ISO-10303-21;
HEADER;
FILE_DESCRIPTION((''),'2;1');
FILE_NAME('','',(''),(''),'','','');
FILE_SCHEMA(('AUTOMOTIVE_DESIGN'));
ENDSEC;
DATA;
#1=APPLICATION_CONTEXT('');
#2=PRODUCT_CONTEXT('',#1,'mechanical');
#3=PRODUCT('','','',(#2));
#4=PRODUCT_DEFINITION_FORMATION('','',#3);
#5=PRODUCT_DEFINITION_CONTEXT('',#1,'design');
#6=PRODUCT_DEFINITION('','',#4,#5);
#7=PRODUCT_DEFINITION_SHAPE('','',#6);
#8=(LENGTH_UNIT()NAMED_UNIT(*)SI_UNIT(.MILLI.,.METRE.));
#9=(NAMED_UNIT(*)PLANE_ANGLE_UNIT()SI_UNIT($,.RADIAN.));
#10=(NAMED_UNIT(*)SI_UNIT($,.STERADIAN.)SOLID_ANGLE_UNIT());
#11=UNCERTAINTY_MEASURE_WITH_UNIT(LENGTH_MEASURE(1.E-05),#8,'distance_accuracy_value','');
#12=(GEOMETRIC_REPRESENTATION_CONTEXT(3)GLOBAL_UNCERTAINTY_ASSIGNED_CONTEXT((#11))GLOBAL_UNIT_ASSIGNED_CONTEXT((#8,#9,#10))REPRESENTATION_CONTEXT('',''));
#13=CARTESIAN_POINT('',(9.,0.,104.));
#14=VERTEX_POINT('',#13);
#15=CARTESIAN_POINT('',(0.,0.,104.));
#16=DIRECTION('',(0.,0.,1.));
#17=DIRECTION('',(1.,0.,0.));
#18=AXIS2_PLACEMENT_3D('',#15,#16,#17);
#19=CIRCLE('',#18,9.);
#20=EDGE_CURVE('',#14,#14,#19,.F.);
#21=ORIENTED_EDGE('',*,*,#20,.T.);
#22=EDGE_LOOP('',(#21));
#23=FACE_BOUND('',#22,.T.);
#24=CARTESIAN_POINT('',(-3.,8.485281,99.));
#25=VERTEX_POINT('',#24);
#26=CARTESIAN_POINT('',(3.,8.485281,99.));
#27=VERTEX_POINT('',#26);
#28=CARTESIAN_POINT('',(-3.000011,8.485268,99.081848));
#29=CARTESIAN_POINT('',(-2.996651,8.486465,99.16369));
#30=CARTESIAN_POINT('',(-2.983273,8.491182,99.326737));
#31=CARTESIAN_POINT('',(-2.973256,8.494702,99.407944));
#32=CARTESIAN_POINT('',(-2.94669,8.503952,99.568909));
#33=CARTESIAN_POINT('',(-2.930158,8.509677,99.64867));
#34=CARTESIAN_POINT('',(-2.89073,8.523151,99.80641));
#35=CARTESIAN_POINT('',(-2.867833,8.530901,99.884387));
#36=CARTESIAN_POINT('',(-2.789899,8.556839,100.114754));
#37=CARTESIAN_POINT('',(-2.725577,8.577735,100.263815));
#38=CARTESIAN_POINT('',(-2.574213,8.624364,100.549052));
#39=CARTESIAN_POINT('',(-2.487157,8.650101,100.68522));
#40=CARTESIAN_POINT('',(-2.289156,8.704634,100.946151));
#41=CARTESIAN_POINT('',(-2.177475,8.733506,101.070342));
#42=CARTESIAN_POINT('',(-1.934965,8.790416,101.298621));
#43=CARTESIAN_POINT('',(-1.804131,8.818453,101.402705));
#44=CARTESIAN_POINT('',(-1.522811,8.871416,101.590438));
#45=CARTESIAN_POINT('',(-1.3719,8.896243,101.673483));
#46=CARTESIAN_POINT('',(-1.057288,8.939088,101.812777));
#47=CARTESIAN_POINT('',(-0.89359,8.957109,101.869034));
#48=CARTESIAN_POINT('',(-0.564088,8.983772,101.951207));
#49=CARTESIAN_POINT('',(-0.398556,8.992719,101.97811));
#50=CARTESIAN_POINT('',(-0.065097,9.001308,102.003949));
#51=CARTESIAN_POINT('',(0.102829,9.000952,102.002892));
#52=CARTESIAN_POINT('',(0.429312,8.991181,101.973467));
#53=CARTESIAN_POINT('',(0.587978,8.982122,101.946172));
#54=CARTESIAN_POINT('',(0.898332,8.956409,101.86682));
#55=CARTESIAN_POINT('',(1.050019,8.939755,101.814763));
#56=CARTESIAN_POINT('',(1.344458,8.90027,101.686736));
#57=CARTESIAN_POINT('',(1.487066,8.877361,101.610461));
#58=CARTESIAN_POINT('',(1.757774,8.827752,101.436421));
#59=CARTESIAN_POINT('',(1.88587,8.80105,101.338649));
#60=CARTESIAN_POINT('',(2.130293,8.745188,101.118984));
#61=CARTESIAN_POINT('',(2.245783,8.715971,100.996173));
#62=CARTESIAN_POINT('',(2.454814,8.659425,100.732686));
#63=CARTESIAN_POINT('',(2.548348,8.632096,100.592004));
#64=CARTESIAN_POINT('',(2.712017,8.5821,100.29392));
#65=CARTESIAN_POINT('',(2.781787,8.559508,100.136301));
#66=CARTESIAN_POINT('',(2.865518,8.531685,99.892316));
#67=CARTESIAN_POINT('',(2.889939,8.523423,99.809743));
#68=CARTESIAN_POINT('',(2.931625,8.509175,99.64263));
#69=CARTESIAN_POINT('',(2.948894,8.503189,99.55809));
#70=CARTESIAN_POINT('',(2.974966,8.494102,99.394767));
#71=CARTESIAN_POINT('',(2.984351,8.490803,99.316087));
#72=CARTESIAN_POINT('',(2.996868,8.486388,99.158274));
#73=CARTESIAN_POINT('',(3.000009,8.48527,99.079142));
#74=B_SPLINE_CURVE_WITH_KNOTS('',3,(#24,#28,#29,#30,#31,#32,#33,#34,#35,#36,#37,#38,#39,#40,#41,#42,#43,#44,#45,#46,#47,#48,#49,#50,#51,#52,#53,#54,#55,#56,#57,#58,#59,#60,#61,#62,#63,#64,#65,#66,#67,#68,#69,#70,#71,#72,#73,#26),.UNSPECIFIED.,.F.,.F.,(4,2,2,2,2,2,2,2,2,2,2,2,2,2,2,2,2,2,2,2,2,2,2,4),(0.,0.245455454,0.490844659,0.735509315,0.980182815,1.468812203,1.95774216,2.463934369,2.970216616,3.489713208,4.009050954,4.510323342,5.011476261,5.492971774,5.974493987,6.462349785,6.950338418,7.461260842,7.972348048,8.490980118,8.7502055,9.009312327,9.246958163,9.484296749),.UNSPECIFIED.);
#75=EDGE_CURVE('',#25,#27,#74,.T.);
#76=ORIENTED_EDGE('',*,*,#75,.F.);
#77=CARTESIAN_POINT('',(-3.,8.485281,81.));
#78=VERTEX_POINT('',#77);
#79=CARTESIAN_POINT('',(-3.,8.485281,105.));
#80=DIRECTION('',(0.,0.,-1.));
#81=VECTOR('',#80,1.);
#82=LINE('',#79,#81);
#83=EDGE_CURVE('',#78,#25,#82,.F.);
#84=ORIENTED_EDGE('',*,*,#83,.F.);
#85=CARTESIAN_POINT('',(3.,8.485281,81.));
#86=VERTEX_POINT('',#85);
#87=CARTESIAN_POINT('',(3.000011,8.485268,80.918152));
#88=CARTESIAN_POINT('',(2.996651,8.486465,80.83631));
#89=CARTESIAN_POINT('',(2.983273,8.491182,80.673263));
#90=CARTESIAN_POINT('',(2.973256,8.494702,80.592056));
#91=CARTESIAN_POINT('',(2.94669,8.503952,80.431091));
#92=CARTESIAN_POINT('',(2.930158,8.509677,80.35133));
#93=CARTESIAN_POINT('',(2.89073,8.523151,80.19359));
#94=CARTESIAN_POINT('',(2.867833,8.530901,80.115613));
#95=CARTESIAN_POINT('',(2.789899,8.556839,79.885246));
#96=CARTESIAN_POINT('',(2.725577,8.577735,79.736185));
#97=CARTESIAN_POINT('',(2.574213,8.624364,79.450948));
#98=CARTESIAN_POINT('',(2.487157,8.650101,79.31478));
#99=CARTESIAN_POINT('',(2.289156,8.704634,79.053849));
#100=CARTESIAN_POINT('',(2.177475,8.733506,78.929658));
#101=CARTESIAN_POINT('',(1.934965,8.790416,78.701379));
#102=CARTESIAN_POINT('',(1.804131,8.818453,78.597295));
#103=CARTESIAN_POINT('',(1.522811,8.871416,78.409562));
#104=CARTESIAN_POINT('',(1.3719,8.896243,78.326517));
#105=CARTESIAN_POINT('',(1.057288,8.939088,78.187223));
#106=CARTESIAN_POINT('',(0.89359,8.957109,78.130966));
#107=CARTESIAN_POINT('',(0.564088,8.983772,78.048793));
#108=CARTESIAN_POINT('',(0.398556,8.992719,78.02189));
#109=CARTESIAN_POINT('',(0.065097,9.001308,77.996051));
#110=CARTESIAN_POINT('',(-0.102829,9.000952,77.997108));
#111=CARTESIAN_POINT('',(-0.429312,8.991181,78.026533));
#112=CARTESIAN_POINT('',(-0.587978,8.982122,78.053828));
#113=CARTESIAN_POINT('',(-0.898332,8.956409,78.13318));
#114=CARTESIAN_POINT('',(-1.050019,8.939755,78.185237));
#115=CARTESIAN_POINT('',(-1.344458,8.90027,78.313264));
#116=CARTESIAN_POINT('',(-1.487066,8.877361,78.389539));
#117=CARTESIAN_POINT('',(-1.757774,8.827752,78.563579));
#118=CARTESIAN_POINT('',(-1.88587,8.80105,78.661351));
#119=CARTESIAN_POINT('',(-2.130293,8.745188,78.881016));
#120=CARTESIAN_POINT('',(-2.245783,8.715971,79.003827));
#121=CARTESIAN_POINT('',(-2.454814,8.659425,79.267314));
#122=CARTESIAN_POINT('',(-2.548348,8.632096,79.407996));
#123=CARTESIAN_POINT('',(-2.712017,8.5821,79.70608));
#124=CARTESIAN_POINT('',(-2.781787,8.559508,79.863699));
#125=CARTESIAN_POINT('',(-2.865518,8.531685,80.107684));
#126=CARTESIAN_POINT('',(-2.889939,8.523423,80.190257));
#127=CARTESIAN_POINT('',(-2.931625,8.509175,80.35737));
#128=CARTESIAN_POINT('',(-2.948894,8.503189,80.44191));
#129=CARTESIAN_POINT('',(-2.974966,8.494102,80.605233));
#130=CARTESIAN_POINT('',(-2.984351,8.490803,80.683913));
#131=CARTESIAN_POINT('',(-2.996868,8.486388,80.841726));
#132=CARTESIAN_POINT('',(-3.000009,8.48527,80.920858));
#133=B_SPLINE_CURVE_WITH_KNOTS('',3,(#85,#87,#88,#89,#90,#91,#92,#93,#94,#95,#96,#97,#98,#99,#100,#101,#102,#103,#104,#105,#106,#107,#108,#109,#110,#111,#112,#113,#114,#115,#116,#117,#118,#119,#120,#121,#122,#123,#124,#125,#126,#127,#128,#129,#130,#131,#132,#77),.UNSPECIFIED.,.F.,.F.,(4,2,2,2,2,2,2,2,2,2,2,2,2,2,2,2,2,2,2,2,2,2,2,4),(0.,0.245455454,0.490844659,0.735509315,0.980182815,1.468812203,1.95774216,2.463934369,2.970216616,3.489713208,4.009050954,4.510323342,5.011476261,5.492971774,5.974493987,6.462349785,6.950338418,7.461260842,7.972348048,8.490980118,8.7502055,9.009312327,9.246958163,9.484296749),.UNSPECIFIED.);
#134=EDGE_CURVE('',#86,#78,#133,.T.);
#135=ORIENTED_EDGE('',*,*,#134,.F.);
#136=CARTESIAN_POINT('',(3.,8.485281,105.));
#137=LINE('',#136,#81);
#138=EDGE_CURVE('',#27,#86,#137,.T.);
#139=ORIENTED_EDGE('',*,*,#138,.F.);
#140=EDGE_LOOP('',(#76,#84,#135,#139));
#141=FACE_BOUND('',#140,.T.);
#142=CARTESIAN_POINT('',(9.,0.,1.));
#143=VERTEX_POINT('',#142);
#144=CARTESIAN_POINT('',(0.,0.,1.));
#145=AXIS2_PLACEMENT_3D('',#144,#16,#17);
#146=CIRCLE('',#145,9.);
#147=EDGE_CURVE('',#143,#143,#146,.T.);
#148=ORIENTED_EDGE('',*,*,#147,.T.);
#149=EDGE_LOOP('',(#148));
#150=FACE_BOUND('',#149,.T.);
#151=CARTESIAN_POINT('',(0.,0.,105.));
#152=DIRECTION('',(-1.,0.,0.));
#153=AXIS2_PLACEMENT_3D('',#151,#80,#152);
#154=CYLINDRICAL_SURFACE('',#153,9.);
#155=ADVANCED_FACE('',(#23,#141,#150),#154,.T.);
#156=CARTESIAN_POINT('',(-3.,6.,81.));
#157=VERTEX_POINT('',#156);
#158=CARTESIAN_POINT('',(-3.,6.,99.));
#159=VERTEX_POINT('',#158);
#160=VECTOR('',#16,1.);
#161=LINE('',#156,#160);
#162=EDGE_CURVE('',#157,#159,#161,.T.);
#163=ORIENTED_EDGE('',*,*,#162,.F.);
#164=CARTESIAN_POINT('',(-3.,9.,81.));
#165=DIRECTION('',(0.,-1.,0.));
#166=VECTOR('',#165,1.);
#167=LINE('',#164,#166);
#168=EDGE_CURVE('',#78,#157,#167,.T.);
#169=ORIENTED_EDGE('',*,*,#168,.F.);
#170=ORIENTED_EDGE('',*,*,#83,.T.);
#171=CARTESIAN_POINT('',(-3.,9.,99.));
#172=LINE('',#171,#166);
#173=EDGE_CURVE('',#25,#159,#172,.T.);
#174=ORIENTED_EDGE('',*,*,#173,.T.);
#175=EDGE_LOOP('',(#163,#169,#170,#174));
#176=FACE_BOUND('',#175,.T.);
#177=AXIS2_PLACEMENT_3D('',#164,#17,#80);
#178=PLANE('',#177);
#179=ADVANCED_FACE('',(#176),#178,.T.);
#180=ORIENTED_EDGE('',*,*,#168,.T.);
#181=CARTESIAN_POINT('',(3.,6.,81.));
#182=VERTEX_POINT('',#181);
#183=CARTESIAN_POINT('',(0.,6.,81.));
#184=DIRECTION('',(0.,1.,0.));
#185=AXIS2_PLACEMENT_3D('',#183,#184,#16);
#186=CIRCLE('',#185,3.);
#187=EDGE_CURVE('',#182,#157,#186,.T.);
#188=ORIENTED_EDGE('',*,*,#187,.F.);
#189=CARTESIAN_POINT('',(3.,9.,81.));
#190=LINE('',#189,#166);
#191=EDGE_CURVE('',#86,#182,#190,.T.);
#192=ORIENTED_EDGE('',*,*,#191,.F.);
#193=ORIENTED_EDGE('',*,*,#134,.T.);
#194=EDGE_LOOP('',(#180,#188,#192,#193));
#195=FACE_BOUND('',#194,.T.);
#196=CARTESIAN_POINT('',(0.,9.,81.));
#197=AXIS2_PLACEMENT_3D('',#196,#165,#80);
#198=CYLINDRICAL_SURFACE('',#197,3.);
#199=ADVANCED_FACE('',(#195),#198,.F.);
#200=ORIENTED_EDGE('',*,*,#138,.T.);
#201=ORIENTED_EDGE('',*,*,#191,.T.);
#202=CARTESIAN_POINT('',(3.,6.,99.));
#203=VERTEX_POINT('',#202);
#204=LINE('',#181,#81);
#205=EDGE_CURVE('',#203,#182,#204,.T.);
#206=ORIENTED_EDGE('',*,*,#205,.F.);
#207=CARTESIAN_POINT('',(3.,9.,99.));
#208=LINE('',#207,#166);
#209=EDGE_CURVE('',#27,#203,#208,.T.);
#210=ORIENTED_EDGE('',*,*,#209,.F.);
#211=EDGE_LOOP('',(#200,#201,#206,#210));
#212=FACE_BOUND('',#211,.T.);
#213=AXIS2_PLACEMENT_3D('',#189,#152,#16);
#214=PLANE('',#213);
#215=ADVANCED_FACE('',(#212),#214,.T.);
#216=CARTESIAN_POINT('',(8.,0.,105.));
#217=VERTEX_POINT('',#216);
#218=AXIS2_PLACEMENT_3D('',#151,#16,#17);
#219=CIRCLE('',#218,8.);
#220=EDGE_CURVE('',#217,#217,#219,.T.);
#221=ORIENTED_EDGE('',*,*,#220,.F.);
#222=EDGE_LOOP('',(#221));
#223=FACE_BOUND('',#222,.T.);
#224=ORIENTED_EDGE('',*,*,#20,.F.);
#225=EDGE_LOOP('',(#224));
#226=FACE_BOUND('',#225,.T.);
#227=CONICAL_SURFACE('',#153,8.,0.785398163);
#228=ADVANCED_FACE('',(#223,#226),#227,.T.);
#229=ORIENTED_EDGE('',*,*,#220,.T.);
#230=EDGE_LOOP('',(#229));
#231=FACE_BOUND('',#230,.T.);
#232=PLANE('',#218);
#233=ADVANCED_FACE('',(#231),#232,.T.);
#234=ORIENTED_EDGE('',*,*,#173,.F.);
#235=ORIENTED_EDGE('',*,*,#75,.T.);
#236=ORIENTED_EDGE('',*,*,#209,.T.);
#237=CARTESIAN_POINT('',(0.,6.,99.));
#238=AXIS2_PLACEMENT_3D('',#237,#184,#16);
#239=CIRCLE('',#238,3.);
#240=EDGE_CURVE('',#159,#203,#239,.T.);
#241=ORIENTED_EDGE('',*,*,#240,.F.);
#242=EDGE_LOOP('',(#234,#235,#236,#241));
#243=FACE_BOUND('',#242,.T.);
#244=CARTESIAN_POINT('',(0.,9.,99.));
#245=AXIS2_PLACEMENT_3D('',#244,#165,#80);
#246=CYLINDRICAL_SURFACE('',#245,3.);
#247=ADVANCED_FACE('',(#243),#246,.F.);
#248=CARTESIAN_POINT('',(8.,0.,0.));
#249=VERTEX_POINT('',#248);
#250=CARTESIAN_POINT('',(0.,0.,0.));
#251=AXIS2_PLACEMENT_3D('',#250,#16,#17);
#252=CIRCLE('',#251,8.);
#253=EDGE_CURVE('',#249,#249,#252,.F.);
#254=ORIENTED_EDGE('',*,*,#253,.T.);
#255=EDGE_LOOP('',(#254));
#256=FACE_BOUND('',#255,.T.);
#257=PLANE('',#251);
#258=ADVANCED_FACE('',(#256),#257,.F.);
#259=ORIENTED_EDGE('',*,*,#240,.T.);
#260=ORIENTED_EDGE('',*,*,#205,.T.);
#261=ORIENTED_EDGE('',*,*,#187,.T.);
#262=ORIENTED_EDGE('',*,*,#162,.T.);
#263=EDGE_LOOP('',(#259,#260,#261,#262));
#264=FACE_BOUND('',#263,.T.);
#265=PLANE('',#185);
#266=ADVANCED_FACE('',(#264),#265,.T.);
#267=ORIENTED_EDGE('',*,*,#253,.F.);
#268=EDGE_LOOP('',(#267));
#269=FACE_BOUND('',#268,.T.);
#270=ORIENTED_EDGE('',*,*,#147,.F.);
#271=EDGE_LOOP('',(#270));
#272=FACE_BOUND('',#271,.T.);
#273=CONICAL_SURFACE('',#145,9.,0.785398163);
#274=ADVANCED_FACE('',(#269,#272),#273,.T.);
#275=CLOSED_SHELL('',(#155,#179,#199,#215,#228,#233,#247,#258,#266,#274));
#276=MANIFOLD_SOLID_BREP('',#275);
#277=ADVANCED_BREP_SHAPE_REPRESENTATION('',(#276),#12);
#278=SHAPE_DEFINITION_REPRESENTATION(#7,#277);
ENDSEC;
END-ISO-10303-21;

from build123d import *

# Parameters (mm, degrees)
IZIM1_R                     = 9
Y_KSEKLIK_EKSTR_ZYON1_DEPTH = 105
PAH1_SIZE                   = 1
KES_EKSTR_ZYON1_START       = 6
KES_EKSTR_ZYON1_DEPTH       = 100.768615383


with BuildPart() as part:
    # Çizim1 → Yükseklik-Ekstrüzyon1 (new body)
    with BuildSketch(Plane.XY):
        Circle(IZIM1_R)
    extrude(amount=Y_KSEKLIK_EKSTR_ZYON1_DEPTH)

    # Pah1
    pah1_edges = [part.edges().sort_by_distance(p)[0] for p in [
        (-9, 0, 0),
        (-9, 0, 105),
    ]]
    chamfer(pah1_edges, length=PAH1_SIZE)

    # Çizim2 → Kes-Ekstrüzyon1 (cut, through all)
    with BuildSketch(Plane(origin=(0, 0, 0), x_dir=(1, 0, 0), z_dir=(0, 1, 0)).offset(KES_EKSTR_ZYON1_START)):
        with BuildLine():
            Line((3, -81), (3, -99))
            ThreePointArc((3, -99), (0, -102), (-3, -99))
            Line((-3, -99), (-3, -81))
            ThreePointArc((-3, -81), (0, -78), (3, -81))
        make_face()
    extrude(amount=KES_EKSTR_ZYON1_DEPTH, mode=Mode.SUBTRACT)


solid = part.part
